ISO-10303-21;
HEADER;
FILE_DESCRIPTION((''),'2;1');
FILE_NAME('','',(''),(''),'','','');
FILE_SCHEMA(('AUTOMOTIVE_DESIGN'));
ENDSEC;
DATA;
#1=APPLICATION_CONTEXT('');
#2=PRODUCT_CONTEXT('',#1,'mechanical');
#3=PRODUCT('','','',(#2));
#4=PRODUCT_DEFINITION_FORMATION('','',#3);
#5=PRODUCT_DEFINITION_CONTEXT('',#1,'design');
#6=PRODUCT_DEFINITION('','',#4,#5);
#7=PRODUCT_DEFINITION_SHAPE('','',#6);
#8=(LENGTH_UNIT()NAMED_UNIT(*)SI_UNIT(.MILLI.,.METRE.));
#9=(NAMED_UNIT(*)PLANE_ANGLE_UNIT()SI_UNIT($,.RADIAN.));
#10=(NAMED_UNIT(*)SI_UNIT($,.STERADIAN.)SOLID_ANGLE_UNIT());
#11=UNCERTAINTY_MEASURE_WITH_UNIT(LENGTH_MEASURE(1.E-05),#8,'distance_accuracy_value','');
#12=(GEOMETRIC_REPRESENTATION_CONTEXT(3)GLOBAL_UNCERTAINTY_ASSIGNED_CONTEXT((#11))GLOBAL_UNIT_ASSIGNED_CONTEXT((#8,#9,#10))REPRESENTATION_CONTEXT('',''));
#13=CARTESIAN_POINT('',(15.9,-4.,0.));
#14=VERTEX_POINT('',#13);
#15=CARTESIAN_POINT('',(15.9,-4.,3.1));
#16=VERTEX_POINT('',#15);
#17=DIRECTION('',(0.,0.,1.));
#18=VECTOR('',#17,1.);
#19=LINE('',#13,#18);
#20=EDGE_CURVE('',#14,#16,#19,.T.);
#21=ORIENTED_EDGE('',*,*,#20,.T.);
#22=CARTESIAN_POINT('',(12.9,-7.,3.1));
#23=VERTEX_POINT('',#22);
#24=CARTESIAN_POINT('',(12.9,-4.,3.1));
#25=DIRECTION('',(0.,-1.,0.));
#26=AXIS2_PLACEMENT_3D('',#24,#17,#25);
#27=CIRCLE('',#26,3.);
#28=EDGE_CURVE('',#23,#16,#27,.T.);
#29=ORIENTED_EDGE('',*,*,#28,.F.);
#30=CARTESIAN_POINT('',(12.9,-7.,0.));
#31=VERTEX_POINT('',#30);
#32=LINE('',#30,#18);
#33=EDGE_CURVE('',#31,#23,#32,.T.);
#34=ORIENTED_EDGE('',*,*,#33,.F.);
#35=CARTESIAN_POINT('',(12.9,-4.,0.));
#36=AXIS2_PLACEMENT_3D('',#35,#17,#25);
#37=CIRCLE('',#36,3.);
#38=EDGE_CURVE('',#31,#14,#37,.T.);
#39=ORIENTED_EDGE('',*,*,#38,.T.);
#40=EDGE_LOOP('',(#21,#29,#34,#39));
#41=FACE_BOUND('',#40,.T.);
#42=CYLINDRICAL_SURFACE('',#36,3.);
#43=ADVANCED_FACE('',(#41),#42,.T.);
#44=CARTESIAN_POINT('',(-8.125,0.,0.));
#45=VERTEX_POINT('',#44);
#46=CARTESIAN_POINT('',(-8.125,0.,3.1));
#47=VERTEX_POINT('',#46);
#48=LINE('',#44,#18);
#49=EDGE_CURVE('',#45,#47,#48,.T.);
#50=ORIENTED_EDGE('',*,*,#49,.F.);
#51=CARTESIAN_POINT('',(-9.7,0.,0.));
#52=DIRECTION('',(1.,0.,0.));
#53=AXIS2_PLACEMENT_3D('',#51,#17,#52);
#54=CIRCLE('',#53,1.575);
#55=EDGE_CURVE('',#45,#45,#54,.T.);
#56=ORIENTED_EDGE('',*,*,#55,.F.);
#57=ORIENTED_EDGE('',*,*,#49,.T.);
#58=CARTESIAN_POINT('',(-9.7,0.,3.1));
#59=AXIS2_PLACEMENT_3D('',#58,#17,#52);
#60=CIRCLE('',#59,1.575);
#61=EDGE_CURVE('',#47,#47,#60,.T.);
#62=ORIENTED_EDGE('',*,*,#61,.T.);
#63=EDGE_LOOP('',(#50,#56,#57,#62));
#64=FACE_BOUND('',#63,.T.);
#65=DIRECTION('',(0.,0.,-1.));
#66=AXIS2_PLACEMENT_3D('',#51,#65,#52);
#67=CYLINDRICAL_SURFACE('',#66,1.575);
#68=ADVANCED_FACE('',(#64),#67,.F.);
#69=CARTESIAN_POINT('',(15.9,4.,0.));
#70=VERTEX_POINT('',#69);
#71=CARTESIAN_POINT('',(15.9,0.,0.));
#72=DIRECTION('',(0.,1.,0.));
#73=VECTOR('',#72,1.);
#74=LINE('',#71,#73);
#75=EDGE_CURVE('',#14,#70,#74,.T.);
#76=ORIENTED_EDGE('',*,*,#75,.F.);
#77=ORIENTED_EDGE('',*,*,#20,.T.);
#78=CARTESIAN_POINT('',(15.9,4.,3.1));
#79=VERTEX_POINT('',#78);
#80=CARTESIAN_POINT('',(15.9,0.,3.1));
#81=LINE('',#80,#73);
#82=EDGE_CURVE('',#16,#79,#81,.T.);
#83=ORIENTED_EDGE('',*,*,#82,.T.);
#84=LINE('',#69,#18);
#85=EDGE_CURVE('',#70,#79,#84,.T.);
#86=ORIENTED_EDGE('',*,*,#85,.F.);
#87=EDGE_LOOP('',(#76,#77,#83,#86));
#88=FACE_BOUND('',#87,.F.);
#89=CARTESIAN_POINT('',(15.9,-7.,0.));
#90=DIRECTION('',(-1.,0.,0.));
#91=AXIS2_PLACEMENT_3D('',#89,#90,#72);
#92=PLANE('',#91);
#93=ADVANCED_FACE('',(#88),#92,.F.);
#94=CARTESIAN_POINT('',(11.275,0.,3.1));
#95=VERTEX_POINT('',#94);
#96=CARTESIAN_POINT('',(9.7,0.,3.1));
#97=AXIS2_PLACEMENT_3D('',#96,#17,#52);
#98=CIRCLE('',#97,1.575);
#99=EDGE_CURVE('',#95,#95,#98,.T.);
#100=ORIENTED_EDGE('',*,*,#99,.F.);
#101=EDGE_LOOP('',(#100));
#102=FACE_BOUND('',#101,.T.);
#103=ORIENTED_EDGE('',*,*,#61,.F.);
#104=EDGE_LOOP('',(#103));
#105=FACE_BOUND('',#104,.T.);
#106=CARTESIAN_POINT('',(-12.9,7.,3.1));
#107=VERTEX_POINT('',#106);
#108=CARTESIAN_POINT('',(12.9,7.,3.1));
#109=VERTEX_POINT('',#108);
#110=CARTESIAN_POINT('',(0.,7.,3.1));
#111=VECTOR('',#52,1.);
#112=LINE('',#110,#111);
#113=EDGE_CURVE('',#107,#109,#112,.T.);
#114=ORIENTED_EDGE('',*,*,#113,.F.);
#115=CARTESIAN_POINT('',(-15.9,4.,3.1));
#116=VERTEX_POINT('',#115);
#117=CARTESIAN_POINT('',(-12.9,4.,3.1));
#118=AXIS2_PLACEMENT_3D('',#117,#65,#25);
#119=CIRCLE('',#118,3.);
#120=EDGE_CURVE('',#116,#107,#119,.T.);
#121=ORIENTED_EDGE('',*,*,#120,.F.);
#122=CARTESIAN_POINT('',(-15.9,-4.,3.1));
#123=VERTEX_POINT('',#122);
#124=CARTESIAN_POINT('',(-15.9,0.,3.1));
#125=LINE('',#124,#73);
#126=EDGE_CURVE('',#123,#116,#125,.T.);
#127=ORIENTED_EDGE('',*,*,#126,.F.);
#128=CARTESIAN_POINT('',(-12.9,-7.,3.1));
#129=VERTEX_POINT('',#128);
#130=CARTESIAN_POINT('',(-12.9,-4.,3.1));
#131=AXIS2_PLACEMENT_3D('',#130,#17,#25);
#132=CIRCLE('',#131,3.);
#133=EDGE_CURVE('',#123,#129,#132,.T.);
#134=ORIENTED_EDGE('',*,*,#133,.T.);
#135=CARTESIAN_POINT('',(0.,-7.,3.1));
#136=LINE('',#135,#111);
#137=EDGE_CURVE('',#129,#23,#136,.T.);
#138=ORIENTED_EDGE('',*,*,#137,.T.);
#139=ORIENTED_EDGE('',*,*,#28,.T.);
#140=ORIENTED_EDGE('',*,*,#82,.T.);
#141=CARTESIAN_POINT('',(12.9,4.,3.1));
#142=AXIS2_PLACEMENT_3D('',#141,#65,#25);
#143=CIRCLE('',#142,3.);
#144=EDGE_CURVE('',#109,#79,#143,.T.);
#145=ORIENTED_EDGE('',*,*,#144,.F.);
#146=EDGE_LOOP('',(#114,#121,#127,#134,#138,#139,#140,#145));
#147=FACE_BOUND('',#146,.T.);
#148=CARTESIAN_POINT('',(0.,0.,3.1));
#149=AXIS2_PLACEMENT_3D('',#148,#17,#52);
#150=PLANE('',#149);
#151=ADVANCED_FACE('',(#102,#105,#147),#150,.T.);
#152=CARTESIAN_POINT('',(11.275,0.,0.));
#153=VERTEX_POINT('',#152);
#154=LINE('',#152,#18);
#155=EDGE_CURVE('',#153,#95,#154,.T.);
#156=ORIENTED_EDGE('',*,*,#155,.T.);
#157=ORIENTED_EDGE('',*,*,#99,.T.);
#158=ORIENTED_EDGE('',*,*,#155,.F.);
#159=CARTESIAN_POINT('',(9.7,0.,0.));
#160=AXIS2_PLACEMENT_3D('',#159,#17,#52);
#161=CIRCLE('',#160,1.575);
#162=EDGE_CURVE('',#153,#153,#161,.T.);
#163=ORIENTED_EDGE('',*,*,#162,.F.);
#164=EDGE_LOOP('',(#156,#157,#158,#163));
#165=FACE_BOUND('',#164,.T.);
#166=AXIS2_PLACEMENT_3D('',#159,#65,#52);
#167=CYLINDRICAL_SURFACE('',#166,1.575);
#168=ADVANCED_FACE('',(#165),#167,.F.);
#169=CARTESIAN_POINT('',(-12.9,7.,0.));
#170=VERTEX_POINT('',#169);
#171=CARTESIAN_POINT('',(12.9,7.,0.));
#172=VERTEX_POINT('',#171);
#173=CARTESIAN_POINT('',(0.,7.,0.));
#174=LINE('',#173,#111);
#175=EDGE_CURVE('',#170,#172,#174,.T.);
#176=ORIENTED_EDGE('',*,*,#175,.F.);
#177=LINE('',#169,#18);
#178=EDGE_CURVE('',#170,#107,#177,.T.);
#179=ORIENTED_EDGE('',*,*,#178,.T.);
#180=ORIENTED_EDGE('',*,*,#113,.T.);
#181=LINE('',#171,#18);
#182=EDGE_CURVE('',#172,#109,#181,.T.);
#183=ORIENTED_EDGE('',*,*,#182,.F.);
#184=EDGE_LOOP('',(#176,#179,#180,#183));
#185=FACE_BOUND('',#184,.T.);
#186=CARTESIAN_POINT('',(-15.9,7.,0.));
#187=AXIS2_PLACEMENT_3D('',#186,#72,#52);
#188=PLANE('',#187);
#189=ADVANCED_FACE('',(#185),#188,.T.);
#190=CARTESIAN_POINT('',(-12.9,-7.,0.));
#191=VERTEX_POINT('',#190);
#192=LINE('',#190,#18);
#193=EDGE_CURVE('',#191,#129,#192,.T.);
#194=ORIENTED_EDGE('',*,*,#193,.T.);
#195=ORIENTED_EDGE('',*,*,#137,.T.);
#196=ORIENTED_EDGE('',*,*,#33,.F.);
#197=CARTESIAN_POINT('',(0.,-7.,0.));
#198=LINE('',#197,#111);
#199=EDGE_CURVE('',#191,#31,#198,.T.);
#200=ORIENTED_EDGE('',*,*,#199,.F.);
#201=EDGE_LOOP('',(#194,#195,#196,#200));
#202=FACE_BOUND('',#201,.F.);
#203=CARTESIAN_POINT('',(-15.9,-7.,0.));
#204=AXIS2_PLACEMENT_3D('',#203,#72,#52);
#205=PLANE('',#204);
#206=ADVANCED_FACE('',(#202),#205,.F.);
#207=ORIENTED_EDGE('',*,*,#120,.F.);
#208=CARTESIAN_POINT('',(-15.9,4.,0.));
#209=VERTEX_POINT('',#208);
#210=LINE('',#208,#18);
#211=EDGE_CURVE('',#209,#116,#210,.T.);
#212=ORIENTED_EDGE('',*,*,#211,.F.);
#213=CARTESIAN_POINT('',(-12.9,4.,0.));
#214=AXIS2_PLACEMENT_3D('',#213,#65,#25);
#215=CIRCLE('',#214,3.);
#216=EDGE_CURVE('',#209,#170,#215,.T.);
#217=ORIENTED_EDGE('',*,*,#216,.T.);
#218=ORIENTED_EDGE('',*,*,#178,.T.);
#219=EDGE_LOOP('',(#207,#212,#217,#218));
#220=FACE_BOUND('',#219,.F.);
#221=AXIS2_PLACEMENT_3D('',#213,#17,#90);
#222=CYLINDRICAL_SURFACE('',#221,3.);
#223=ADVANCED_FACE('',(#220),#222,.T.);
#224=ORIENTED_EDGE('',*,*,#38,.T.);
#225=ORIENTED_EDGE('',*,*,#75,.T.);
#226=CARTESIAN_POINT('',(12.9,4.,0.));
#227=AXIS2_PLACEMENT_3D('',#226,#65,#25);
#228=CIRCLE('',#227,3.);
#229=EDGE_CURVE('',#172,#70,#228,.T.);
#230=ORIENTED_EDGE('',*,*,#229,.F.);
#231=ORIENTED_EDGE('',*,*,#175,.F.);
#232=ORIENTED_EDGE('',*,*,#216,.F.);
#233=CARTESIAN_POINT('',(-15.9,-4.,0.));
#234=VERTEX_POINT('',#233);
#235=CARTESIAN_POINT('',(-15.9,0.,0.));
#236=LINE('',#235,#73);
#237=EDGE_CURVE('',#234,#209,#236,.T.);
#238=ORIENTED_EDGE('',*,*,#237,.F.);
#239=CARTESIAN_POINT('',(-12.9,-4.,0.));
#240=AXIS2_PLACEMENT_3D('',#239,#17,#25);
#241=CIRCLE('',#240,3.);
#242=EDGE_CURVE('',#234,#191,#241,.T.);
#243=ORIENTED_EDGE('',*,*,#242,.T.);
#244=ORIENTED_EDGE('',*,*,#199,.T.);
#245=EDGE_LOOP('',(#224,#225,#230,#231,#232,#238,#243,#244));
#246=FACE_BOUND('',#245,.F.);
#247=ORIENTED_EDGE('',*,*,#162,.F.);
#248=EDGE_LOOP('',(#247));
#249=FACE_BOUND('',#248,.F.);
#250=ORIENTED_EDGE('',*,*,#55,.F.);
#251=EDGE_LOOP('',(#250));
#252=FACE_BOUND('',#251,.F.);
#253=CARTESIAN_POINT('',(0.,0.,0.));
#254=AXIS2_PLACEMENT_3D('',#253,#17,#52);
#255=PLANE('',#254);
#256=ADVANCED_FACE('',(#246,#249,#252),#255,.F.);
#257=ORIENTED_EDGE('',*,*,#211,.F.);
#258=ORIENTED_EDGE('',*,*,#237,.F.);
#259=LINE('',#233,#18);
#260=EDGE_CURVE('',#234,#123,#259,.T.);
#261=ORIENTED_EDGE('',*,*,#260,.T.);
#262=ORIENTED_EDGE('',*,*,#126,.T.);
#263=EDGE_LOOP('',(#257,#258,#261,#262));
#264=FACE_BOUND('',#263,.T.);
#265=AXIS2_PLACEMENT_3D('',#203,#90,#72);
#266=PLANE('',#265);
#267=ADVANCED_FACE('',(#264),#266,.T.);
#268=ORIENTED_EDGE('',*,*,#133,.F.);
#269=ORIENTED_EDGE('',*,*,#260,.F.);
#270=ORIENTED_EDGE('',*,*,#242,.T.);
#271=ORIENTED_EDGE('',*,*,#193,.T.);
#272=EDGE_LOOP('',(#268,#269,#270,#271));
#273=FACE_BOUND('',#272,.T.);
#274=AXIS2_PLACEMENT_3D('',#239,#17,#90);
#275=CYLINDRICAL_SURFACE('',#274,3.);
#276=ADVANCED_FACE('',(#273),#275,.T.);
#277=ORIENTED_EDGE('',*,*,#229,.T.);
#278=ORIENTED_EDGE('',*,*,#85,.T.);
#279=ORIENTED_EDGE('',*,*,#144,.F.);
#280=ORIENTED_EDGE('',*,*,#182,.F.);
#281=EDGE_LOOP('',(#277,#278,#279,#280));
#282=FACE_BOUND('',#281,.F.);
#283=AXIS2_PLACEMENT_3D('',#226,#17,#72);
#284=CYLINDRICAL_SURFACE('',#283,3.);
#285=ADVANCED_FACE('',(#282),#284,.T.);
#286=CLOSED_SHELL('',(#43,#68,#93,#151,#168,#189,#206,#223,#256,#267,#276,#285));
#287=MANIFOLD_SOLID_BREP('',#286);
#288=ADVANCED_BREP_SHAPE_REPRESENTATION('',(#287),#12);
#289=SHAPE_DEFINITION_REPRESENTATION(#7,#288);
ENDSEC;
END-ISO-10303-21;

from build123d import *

# Parameters (mm, degrees)
F0_W     = 31.8
F0_H     = 14
F0_R     = 1.575
F1_DEPTH = 3.1
F2_R     = 3


with BuildPart() as f1:
    # F0 (on Top) → F1 (new body)
    with BuildSketch(Plane.XY):
        Rectangle(F0_W, F0_H)
        with Locations((-9.7, 0)):
            Circle(F0_R, mode=Mode.SUBTRACT)
        with Locations((9.7, 0)):
            Circle(F0_R, mode=Mode.SUBTRACT)
    extrude(amount=F1_DEPTH)

    # F2
    f2_edges = [f1.edges().sort_by_distance(p)[0] for p in [
        (-15.9, -7, 1.55),
        (15.9, -7, 1.55),
        (-15.9, 7, 1.55),
        (15.9, 7, 1.55),
    ]]
    fillet(f2_edges, radius=F2_R)


solid = f1.part
